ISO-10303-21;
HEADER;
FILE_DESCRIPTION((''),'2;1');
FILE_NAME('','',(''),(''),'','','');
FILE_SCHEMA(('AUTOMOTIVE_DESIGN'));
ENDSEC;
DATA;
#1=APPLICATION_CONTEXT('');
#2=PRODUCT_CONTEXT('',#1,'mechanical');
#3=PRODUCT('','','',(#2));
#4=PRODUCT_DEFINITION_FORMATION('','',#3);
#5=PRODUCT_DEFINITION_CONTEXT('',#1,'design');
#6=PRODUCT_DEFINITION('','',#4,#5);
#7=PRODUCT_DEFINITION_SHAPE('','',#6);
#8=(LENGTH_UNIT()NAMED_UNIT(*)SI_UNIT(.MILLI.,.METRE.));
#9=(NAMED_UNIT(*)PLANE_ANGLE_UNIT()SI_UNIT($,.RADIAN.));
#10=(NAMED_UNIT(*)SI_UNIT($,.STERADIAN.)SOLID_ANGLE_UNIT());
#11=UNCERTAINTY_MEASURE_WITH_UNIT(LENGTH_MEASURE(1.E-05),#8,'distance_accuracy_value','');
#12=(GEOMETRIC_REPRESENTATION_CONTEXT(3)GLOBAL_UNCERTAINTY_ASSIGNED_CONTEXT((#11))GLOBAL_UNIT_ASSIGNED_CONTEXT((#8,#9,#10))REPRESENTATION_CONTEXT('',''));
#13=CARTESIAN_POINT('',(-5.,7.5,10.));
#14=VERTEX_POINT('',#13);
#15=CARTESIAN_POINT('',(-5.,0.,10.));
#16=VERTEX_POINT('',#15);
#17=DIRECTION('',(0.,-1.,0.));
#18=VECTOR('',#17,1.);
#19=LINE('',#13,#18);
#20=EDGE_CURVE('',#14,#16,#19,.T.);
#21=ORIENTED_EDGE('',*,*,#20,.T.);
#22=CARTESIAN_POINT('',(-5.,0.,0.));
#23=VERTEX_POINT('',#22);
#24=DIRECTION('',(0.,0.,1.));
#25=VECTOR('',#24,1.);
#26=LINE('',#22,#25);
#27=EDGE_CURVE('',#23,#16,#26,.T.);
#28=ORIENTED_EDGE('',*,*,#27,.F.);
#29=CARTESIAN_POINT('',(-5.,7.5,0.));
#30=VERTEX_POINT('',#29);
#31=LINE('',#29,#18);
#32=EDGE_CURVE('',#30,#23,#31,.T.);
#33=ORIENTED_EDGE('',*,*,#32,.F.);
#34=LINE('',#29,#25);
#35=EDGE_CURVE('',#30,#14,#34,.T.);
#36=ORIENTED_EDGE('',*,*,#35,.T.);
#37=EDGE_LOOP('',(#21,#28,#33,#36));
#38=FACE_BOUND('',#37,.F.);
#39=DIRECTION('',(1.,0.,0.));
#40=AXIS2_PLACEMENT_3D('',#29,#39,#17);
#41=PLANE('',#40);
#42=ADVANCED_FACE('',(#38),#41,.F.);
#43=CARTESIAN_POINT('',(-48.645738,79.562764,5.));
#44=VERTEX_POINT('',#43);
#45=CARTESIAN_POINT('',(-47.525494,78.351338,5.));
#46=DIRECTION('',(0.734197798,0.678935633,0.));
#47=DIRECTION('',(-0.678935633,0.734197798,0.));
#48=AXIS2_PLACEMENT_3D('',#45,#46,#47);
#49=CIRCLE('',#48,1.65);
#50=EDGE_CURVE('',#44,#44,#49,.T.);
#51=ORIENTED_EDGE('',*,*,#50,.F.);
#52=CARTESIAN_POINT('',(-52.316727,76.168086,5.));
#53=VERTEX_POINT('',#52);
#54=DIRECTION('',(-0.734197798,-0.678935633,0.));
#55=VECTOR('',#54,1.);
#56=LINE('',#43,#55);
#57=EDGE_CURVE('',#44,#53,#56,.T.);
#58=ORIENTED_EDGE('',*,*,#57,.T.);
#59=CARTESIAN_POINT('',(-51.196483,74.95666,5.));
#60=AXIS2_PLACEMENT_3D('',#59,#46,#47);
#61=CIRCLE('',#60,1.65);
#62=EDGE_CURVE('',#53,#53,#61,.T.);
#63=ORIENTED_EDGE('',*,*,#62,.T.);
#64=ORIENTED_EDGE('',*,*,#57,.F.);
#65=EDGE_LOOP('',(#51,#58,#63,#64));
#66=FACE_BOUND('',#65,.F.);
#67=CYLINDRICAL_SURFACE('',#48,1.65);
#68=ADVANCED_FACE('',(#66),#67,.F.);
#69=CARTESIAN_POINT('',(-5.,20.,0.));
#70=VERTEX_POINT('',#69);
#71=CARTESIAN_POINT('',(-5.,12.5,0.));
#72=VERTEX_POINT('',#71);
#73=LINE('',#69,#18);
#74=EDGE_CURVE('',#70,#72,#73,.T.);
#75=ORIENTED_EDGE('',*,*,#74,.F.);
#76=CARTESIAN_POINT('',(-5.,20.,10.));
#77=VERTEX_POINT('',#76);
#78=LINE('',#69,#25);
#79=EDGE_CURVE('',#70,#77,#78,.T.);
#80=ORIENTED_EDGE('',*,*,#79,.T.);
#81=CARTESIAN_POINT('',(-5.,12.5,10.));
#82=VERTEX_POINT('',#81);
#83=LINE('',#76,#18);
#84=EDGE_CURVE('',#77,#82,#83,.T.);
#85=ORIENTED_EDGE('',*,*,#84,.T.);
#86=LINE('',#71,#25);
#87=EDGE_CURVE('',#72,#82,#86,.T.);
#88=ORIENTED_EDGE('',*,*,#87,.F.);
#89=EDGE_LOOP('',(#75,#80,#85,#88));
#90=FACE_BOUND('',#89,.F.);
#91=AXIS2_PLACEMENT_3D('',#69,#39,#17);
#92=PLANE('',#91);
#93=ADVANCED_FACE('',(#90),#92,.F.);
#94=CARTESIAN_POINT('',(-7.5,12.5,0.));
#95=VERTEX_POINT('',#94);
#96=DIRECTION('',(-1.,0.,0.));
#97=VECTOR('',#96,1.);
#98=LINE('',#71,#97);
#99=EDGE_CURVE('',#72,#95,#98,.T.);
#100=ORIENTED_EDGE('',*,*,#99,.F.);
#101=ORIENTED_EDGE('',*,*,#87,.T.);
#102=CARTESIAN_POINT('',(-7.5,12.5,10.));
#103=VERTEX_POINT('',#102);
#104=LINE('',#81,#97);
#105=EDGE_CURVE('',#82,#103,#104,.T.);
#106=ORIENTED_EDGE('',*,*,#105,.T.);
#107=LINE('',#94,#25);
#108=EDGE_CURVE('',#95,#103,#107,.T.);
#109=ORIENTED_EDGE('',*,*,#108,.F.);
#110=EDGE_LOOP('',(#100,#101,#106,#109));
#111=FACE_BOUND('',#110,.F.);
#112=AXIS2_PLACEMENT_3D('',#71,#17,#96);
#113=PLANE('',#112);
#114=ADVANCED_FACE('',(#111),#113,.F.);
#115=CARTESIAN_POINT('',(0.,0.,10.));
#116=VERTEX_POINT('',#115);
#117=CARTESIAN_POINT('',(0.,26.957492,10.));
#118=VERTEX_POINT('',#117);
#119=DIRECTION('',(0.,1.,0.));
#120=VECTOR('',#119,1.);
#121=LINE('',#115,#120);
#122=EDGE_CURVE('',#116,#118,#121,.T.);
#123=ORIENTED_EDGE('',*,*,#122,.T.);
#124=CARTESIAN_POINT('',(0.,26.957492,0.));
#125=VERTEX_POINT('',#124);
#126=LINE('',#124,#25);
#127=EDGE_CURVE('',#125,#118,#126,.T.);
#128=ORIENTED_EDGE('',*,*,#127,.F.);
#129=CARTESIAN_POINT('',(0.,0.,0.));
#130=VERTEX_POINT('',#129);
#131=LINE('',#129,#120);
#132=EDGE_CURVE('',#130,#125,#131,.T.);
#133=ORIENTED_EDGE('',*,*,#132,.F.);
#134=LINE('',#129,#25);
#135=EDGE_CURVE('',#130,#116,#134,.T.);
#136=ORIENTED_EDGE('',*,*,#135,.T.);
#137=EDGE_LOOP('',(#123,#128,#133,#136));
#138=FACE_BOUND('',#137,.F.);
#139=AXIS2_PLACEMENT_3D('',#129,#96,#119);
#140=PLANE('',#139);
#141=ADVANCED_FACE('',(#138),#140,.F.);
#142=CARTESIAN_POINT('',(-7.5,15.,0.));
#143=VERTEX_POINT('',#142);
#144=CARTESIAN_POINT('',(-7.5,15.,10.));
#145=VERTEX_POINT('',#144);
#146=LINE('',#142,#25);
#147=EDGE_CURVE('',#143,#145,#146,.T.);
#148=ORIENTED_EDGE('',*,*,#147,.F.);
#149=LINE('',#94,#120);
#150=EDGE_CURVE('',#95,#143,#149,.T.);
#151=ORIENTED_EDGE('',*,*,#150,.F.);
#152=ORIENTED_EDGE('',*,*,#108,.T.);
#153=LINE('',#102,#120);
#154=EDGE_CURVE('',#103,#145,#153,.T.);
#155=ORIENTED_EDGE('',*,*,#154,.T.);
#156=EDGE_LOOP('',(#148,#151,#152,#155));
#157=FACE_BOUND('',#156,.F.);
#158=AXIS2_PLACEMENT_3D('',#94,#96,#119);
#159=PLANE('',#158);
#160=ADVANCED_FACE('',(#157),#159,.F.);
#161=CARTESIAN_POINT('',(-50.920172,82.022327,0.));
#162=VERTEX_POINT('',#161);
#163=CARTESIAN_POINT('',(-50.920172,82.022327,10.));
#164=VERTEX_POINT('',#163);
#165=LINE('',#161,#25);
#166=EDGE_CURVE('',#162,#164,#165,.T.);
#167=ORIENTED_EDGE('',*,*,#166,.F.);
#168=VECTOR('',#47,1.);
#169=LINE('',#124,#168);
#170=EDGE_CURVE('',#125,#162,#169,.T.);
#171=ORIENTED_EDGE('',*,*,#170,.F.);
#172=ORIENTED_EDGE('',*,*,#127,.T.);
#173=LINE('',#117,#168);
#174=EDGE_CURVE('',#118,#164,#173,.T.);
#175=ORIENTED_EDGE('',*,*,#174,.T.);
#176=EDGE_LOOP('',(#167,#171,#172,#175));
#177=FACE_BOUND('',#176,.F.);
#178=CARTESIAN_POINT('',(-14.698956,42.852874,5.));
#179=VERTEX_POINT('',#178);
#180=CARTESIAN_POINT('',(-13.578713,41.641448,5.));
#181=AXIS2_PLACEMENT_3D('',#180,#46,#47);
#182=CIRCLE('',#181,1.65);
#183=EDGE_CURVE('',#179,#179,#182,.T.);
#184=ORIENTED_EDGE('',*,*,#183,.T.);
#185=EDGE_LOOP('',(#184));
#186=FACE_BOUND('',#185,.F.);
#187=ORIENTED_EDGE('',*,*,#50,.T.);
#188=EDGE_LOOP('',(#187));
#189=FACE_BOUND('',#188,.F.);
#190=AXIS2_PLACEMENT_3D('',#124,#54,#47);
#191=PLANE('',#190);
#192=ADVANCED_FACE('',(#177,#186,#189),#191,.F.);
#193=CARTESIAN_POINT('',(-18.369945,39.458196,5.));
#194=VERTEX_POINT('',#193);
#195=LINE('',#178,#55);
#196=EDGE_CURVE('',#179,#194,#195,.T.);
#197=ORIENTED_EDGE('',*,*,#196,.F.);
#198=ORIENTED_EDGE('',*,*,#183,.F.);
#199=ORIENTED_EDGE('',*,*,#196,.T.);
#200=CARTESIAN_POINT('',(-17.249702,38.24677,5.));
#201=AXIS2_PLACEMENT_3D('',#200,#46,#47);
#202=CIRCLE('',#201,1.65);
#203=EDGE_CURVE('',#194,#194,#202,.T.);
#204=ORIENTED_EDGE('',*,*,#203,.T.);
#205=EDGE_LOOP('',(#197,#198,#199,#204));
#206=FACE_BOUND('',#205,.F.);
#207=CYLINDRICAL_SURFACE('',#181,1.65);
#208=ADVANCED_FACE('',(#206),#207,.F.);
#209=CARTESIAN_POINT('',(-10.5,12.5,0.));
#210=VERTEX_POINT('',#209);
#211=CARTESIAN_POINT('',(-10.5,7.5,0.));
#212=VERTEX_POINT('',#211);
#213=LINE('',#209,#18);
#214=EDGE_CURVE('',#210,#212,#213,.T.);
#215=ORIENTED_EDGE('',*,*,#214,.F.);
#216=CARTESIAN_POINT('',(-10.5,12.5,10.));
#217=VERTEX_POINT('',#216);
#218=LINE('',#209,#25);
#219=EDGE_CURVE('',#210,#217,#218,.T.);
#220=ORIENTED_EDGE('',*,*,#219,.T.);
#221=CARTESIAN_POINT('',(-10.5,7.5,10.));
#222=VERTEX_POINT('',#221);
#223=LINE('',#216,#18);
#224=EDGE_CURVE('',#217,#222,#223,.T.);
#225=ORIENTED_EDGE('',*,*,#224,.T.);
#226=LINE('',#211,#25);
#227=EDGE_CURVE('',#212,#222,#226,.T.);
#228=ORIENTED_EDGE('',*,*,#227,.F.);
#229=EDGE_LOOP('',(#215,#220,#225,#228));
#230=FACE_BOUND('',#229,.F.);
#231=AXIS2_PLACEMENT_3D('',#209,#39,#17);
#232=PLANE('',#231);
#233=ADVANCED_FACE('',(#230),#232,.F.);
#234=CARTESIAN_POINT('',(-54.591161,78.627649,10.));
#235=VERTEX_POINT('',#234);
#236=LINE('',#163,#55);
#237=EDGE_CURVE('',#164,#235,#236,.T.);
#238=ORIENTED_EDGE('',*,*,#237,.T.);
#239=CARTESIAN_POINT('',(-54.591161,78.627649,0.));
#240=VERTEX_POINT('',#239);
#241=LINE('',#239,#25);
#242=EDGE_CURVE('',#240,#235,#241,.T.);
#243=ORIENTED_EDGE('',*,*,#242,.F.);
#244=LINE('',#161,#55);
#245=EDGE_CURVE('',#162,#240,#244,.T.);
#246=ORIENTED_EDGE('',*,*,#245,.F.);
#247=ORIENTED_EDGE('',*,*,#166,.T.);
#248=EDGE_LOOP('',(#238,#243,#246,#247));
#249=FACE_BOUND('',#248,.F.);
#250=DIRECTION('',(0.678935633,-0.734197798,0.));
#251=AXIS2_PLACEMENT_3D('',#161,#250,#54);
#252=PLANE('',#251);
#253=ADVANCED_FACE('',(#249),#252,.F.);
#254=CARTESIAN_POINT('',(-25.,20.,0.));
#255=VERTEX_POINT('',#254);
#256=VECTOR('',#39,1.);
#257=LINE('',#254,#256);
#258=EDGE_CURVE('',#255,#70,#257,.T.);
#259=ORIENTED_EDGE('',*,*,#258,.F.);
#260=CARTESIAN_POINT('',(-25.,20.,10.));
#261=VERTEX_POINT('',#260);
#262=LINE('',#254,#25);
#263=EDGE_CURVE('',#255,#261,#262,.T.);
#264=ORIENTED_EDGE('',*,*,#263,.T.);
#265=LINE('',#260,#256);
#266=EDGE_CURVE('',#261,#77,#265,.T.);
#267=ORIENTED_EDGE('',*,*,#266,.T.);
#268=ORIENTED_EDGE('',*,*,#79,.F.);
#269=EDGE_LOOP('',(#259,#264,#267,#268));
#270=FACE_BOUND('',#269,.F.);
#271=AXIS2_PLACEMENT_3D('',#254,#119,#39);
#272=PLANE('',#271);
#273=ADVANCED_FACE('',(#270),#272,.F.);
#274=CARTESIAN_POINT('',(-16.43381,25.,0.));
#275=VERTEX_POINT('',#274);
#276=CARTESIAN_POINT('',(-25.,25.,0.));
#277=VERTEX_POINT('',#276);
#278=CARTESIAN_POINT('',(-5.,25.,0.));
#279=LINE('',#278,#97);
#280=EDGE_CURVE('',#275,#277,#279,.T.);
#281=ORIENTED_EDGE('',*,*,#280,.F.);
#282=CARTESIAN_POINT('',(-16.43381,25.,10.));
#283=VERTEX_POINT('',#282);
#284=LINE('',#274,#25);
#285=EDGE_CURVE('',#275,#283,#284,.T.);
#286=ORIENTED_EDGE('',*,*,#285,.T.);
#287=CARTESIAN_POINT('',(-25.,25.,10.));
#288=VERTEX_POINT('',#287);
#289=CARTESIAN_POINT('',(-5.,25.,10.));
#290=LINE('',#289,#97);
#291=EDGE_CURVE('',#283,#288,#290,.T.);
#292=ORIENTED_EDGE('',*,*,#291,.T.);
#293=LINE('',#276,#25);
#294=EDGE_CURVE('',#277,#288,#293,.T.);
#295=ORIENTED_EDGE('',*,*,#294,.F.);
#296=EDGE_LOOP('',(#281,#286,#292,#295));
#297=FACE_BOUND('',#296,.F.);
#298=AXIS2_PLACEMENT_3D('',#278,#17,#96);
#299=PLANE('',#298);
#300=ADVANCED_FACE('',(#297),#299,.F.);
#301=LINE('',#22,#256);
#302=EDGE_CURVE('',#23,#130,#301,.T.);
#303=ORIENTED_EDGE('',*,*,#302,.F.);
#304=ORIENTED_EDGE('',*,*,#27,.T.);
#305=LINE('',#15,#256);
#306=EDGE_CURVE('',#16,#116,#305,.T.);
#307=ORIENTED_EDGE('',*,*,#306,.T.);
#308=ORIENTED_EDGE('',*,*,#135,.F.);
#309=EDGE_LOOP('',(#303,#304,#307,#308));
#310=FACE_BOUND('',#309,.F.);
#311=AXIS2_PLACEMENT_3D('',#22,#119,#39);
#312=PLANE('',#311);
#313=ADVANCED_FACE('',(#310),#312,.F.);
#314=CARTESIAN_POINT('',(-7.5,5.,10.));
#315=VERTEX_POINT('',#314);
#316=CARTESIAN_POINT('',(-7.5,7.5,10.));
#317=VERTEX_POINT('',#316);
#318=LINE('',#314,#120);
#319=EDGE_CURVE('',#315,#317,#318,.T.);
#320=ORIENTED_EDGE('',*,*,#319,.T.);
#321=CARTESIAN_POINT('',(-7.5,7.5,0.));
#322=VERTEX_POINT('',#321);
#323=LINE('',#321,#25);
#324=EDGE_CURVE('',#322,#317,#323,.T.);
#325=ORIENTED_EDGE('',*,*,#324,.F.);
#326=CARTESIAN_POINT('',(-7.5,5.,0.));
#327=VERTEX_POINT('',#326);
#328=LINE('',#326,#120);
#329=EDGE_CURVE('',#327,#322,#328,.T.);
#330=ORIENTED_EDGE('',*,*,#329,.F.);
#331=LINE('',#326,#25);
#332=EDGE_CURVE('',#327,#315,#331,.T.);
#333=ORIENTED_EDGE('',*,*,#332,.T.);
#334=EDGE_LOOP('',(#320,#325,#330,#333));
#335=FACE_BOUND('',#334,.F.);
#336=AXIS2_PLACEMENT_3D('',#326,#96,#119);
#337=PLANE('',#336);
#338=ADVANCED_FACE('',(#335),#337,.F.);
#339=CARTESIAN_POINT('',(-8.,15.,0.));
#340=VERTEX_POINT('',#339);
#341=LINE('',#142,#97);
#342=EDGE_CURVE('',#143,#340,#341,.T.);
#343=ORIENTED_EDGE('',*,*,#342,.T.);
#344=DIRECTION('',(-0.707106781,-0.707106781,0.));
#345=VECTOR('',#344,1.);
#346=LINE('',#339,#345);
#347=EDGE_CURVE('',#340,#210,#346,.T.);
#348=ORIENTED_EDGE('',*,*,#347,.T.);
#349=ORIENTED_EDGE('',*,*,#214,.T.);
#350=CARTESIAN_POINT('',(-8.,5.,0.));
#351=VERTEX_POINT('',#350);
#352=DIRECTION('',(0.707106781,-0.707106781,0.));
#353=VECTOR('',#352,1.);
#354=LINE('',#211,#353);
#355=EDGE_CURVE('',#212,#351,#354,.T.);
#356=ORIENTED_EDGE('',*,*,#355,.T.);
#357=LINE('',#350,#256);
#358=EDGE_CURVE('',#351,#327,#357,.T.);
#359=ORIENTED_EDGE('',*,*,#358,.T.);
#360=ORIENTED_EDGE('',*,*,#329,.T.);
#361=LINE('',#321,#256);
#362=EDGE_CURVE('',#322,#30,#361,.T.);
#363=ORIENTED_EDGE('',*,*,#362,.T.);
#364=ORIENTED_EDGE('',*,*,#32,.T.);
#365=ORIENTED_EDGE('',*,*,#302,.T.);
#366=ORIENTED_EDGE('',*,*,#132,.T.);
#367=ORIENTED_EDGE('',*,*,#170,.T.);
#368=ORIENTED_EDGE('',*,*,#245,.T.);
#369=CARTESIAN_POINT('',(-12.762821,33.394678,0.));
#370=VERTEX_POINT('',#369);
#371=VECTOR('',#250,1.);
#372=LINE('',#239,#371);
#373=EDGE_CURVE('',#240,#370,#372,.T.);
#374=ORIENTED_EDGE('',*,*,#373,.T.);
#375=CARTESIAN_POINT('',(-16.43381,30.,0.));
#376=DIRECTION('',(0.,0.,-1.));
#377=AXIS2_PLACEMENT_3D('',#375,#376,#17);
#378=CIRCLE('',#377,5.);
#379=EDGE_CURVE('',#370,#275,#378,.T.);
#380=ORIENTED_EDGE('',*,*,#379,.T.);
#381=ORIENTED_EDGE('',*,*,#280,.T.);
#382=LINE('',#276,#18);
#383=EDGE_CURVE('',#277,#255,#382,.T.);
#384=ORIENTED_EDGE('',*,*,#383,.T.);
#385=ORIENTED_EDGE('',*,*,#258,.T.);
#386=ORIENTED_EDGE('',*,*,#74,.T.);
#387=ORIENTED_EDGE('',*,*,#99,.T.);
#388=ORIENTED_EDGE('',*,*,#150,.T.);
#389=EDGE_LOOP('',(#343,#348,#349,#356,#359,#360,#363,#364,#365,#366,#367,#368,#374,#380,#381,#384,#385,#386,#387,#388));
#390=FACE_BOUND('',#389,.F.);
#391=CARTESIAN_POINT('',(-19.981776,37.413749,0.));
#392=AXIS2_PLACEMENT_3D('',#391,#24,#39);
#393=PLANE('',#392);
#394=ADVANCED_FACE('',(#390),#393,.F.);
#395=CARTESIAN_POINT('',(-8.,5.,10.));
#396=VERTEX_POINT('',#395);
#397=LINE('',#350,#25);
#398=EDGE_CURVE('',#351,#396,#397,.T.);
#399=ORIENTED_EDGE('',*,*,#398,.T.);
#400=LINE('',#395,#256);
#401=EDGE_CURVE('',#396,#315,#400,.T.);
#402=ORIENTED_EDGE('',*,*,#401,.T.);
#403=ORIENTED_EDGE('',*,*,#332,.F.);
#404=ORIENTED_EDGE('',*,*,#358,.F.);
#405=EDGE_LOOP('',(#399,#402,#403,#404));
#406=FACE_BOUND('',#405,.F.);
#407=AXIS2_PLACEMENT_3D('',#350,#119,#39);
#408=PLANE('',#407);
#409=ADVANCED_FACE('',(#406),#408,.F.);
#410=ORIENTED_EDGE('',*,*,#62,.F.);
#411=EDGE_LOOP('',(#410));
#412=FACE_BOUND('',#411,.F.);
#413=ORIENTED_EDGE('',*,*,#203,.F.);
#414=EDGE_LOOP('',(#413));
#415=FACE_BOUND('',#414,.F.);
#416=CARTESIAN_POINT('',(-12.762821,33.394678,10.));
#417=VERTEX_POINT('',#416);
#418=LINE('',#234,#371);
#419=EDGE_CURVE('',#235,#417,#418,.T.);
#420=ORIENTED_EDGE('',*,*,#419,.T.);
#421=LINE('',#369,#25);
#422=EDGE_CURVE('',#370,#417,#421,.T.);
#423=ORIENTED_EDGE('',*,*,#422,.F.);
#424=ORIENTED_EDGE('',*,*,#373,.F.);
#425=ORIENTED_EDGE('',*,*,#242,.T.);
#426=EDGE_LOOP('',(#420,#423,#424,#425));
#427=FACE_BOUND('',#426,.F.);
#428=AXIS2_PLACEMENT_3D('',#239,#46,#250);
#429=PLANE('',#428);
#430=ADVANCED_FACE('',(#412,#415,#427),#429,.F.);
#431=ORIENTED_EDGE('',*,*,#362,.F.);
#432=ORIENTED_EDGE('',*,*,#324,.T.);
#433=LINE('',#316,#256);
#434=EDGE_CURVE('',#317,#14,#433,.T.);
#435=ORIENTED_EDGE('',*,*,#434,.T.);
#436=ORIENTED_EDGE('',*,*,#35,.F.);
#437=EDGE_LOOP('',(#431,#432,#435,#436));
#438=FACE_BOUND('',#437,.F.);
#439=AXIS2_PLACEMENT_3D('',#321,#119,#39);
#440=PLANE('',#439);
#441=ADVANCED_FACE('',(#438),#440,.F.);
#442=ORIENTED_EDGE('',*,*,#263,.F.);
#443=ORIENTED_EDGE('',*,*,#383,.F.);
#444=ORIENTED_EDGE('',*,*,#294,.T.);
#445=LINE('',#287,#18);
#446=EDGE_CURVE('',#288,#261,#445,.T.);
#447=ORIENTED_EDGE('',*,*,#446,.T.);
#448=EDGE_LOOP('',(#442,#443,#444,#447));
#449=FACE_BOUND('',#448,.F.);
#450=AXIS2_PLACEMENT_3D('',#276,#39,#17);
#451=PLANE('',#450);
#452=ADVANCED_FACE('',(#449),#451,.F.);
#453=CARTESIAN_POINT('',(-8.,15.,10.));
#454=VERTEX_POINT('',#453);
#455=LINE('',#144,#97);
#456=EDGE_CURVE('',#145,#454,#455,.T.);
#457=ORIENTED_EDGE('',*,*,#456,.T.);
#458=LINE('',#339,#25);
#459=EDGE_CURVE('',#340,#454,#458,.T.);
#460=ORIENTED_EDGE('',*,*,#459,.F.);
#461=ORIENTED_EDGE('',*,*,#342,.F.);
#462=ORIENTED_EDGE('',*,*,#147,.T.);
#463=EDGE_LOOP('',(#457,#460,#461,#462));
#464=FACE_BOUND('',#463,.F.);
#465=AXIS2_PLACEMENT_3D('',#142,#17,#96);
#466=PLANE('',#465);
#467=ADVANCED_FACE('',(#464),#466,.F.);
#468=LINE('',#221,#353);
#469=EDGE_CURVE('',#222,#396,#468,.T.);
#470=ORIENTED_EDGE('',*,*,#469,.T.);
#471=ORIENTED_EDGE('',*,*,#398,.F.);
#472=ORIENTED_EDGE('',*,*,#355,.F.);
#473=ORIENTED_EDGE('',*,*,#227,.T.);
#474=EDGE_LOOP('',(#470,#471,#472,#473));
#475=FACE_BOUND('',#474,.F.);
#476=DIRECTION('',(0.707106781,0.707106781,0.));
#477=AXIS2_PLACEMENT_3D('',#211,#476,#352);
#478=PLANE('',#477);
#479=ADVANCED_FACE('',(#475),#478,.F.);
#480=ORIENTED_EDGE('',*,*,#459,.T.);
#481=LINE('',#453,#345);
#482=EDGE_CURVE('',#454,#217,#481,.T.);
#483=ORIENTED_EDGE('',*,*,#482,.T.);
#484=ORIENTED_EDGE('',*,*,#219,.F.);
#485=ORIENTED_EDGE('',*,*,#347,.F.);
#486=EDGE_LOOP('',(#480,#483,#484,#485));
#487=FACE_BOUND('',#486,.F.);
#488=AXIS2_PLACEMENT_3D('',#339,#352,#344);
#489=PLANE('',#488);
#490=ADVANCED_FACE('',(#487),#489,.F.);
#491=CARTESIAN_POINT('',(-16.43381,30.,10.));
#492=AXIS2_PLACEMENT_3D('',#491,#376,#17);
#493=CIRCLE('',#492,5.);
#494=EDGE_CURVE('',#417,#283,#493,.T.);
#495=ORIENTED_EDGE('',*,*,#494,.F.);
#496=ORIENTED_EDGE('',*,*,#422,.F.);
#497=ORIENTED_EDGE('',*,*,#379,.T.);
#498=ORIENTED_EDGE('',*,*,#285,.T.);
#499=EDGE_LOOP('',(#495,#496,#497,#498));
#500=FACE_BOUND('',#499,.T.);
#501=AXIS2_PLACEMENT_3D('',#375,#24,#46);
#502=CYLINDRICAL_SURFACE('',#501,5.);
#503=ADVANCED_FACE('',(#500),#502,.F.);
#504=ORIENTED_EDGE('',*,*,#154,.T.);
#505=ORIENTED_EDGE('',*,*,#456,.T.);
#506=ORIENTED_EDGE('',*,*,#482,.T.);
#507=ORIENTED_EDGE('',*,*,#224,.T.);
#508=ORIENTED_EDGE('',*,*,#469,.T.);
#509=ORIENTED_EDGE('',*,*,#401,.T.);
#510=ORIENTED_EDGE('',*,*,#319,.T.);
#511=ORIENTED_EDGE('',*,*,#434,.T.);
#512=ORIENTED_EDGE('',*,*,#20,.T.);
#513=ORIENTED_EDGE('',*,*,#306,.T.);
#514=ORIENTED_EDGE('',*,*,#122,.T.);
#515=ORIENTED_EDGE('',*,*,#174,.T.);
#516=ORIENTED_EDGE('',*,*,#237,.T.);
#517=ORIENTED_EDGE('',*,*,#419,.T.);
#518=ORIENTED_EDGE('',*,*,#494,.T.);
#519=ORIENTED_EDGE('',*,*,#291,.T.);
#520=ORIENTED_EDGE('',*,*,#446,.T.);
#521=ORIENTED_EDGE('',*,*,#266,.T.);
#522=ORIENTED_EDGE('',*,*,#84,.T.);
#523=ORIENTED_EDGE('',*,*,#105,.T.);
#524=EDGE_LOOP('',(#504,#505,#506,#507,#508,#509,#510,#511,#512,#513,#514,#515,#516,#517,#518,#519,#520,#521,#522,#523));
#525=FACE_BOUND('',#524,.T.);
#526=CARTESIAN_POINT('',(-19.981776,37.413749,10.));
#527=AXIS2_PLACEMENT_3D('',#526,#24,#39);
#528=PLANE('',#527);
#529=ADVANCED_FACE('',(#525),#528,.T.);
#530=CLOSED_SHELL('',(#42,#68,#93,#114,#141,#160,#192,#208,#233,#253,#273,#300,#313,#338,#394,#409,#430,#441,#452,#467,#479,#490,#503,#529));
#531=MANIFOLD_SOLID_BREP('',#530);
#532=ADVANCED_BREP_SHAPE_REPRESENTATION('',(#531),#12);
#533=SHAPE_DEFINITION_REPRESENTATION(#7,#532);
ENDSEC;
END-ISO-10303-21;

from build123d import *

# Parameters (mm, degrees)
F1_DEPTH = 10
F2_R     = 5
F3_R     = 1.65
F4_DEPTH = 58.3841123594
F5_DEPTH = 25


with BuildPart() as f1:
    # F0 (on Top) → F1 (new body)
    with BuildSketch(Plane.XY):
        Polygon((-25, 25), (-25, 20), (-5, 20), (-5, 12.5), (-7.5, 12.5), (-7.5, 15), (-8, 15), (-10.5, 12.5), (-10.5, 7.5), (-8, 5), (-7.5, 5), (-7.5, 7.5), (-5, 7.5), (-5, 0), (0, 0), (0, 26.9574919131), (-50.9201724728, 82.0223267475), (-54.5911614618, 78.6276485826), (-5, 25), align=None)
    extrude(amount=F1_DEPTH)

    # F2
    f2_edges = [f1.edges().sort_by_distance(p)[0] for p in [
        (-5, 25, 5),
    ]]
    fillet(f2_edges, radius=F2_R)

    # F3 (on face) → F4 (cut, through all)
    with BuildSketch(Plane(origin=(13.4375831218, 12.4261527749, 0), x_dir=(-0.678935633, 0.7341977978, 0), z_dir=(0.7341977978, 0.678935633, 0))):
        with Locations((89.7921311966, 5)):
            Circle(F3_R)
    extrude(amount=-F4_DEPTH, mode=Mode.SUBTRACT)

    # F3 (on face) → F5 (cut)
    with BuildSketch(Plane(origin=(13.4375831218, 12.4261527749, 0), x_dir=(-0.678935633, 0.7341977978, 0), z_dir=(0.7341977978, 0.678935633, 0))):
        with Locations((39.7921311966, 5)):
            Circle(F3_R)
    extrude(amount=-F5_DEPTH, mode=Mode.SUBTRACT)


solid = f1.part
